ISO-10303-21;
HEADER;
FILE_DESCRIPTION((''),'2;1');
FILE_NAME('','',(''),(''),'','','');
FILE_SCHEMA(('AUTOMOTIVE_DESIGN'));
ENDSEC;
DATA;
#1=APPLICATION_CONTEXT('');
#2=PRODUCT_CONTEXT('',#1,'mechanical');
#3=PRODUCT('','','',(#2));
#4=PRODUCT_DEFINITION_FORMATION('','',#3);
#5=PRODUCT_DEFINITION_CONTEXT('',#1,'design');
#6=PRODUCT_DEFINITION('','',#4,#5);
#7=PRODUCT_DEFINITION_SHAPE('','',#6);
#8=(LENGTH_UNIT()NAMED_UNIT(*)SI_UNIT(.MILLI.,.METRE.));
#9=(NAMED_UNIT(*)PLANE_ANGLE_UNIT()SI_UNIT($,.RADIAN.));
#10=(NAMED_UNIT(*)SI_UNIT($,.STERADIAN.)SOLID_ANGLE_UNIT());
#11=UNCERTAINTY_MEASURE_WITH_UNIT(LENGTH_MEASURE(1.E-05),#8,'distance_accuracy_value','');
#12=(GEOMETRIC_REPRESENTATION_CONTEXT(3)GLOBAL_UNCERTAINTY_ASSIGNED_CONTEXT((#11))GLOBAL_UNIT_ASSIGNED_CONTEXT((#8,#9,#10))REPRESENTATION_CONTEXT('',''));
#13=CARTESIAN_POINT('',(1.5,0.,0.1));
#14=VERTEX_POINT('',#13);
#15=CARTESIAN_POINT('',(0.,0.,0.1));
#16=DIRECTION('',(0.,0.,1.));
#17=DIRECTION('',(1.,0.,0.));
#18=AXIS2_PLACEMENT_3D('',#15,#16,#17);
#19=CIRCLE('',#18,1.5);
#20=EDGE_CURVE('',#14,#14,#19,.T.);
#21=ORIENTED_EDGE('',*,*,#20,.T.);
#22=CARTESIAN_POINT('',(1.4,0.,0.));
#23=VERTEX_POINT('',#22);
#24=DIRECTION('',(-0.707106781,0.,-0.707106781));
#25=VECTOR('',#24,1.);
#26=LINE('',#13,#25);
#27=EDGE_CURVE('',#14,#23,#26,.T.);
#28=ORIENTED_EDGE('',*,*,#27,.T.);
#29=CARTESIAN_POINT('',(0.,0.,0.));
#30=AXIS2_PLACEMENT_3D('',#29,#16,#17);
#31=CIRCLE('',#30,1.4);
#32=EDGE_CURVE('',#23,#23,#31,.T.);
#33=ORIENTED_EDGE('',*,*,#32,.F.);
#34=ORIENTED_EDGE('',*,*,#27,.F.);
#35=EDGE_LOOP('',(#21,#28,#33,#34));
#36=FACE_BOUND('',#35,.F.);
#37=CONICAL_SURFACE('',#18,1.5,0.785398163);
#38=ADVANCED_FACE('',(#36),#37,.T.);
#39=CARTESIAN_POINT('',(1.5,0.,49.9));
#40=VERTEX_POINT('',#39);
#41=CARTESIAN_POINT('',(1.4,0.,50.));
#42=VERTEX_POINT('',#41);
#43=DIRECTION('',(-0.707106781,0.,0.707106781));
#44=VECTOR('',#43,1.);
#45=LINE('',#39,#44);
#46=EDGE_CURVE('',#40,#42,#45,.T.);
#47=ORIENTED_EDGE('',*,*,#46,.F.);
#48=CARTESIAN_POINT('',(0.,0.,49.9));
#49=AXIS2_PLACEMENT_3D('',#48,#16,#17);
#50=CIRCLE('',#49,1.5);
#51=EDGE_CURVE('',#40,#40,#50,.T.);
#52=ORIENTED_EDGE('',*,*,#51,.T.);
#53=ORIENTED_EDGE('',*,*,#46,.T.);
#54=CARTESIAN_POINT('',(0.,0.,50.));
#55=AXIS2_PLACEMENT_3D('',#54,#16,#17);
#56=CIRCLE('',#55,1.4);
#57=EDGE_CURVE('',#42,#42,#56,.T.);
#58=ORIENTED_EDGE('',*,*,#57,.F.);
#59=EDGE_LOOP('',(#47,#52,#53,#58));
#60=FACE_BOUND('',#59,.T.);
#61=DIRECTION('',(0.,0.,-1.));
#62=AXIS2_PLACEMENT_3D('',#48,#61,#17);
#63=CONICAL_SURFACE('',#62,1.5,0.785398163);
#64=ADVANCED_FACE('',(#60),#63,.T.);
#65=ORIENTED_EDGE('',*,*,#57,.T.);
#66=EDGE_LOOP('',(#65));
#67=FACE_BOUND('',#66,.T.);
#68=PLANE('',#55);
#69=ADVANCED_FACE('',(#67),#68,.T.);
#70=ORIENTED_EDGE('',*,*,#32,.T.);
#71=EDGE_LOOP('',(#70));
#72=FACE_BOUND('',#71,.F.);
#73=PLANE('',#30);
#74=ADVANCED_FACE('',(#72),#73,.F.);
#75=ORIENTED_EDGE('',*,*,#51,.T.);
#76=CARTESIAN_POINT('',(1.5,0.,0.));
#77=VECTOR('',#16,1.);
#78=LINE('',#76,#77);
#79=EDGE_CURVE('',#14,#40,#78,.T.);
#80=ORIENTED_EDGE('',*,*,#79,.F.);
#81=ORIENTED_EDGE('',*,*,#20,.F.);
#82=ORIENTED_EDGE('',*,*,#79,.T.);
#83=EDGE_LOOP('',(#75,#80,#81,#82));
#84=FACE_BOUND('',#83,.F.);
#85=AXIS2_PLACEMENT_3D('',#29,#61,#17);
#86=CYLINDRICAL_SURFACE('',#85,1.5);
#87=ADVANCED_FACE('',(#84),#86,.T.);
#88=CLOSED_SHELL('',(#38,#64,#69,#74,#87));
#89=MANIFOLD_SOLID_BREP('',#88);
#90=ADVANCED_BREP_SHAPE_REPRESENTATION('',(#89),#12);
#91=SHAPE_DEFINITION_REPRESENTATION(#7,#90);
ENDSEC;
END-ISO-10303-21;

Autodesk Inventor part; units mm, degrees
ref_plane "YZ Plane" through (0, 0, 0) normal (1, 0, 0) x (0, 1, 0)
ref_plane "XZ Plane" through (0, 0, 0) normal (0, 1, 0) x (-1, 0, 0)
ref_plane "XY Plane" through (0, 0, 0) normal (0, 0, 1) x (1, 0, 0)
sketch "Skizze1" plane through (0, 0, 0) normal (0, 0, 1) x (1, 0, 0)
  circle A0 centre (0, 0) radius 1.5
  dimension "d0" = 3
extrude "Extrusion1" add sketch "Skizze1" along normal blind 50
ref_plane "Arbeitsebene1" through (0, 0, 25) normal (0, 0, 1) x (1, 0, 0)
chamfer "Fase1" distance 0.1 angle 45 2 edges at (-1.5, 0, 50) (-1.5, 0, 0)
properties part number "3mmSchaft_50m" material "Edelstahl"
